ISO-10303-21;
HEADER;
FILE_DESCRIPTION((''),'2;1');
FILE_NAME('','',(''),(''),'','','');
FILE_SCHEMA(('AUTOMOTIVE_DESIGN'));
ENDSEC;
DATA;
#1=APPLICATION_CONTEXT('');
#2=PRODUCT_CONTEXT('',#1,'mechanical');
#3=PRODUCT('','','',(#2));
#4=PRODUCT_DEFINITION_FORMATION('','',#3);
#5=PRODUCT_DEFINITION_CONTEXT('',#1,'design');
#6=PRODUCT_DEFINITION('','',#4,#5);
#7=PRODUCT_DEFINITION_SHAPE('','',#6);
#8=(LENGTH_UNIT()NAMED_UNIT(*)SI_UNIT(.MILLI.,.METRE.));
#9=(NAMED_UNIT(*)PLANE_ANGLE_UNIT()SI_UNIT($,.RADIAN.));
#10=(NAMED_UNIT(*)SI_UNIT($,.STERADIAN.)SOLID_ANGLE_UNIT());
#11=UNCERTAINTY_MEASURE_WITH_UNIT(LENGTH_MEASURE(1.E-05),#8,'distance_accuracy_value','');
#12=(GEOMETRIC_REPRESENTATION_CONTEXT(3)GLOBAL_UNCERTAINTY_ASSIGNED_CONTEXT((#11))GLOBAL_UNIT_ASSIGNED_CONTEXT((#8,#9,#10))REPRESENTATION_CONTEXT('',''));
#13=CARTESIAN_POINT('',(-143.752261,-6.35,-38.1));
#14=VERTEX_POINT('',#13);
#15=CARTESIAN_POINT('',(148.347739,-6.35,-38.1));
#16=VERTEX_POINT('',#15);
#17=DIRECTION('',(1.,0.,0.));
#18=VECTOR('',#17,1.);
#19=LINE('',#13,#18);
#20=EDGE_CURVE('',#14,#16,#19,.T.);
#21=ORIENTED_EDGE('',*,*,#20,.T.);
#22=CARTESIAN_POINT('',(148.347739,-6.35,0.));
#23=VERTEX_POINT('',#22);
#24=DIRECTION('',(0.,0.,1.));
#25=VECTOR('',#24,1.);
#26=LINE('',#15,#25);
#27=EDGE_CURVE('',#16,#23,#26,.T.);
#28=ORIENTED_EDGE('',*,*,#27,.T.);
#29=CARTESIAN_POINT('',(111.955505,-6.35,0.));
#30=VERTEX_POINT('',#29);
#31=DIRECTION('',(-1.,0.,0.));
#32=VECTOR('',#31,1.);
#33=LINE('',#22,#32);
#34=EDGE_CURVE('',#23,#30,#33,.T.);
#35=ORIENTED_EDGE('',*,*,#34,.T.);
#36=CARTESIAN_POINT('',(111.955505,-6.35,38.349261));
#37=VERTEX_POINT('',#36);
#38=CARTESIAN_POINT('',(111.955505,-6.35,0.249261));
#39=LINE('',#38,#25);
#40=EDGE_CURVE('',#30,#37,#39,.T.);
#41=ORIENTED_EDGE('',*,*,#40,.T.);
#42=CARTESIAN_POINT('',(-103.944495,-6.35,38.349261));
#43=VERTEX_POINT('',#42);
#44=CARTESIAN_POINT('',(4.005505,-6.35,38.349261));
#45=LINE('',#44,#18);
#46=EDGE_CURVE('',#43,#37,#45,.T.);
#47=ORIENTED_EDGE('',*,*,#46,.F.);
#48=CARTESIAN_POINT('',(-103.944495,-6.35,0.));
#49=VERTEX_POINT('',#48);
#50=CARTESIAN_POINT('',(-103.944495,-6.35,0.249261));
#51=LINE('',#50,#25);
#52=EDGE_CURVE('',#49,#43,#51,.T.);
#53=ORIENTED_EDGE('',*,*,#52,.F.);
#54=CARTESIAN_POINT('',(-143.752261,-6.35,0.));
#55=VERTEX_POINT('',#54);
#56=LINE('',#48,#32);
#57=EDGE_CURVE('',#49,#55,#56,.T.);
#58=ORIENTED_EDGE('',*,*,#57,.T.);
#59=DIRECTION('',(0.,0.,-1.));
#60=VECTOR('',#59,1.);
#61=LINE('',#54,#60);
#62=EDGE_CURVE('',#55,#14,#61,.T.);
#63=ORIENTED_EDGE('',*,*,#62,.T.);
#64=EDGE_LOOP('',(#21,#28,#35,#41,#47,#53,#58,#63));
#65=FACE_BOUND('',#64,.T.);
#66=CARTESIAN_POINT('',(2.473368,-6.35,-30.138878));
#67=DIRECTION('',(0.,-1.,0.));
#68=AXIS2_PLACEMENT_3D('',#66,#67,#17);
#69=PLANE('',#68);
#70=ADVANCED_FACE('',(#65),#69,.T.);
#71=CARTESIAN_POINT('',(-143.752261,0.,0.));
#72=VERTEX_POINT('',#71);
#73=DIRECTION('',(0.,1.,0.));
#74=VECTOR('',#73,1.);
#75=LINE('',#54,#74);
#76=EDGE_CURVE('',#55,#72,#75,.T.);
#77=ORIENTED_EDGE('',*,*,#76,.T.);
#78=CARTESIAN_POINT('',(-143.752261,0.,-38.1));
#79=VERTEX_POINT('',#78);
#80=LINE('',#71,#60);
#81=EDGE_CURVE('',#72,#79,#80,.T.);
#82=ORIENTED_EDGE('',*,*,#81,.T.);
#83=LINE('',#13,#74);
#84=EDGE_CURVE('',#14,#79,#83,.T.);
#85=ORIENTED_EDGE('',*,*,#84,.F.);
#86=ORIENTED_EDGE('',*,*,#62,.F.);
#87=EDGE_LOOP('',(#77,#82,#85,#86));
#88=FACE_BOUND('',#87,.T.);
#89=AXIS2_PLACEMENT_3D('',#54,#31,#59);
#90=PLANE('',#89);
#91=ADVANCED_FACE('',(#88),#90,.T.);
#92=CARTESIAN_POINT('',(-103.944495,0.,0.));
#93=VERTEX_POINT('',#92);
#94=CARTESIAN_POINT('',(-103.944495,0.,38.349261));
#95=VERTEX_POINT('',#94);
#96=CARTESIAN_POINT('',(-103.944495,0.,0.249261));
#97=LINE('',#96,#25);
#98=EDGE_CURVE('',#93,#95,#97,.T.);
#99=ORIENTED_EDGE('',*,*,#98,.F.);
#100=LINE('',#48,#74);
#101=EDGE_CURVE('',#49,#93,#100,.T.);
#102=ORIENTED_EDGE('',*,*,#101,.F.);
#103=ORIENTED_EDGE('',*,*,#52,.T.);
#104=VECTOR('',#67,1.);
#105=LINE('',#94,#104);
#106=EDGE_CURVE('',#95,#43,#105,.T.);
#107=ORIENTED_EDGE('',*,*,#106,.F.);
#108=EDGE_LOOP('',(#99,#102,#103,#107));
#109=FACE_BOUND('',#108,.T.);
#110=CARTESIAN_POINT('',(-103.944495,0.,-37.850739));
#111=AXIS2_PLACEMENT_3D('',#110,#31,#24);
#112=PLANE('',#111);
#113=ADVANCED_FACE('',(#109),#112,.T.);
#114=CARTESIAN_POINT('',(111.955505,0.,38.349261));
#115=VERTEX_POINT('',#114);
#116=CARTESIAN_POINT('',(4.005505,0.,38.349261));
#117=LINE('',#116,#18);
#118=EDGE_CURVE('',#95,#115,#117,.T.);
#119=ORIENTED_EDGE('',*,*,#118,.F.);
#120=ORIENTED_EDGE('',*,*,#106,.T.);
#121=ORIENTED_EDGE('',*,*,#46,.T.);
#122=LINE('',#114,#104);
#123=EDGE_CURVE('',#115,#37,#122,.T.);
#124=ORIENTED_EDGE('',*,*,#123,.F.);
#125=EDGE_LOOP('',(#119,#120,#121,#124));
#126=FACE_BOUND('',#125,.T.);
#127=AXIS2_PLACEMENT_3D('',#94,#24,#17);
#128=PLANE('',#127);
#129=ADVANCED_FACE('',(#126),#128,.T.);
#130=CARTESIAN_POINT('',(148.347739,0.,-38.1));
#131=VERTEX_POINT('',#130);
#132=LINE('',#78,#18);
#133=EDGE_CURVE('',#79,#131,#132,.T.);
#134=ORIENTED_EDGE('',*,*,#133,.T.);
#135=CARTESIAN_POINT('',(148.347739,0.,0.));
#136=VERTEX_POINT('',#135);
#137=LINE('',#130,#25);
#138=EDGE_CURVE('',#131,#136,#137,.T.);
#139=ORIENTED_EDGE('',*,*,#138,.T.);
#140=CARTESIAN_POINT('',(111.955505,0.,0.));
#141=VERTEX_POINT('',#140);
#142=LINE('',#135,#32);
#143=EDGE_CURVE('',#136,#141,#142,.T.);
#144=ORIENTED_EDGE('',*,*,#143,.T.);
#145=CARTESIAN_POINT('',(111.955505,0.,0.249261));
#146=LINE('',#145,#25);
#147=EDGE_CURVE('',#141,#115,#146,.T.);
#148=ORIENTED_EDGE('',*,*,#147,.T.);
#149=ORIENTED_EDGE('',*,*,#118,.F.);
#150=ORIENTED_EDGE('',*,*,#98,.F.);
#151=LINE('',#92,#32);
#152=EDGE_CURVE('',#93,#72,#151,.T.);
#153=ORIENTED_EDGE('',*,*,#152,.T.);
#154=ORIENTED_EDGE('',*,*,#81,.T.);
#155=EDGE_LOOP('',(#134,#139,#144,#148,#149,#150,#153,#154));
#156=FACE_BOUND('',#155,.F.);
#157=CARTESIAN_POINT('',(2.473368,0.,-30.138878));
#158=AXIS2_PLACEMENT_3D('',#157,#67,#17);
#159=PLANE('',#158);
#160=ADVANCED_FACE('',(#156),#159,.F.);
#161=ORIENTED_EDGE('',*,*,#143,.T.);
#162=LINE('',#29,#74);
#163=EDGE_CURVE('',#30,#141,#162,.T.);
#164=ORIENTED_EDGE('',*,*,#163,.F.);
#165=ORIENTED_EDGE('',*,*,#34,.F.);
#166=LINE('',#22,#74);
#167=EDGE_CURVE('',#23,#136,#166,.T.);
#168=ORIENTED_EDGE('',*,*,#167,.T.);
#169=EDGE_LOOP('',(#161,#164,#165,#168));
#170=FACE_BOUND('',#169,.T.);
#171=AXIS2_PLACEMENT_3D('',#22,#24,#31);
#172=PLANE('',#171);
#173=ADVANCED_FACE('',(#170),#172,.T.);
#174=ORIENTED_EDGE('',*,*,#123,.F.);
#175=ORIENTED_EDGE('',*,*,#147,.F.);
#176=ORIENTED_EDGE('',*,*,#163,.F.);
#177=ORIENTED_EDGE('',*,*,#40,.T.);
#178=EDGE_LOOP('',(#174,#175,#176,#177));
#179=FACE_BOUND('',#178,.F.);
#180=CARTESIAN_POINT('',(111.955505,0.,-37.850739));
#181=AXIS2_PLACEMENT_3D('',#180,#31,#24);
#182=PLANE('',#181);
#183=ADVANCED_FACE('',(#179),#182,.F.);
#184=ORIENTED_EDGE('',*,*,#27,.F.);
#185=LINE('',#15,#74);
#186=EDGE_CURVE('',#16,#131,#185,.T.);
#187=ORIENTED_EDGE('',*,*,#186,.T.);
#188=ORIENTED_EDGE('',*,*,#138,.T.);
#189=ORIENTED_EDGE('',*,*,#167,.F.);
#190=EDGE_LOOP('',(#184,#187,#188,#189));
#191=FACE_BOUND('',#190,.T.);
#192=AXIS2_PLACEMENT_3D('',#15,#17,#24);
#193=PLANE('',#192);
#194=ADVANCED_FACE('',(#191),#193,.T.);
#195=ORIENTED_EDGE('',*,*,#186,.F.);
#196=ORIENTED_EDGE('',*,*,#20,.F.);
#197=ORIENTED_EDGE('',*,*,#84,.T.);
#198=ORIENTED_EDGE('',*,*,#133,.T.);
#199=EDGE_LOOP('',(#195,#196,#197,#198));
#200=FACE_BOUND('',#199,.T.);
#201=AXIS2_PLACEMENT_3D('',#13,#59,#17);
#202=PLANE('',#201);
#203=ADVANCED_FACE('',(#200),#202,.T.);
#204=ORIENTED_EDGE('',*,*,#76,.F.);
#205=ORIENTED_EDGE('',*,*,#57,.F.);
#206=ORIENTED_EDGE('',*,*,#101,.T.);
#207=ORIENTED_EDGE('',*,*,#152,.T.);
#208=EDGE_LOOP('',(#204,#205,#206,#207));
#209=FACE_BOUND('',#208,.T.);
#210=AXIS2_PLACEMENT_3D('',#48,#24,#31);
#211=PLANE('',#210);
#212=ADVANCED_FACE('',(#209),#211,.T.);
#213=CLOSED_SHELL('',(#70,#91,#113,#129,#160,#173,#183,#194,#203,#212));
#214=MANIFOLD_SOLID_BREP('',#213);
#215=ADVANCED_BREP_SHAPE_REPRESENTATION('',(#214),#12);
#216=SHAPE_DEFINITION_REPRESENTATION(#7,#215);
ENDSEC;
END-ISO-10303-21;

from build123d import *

# Parameters (mm, degrees)
F0_W     = 215.9
F0_H     = 76.2
F1_DEPTH = 6.35
F3_DEPTH = 6.35


with BuildPart() as f1:
    # F0 (on Front) → F1 (new body)
    with BuildSketch(Plane.XZ):
        with Locations((4.005505, 0.249261)):
            Rectangle(F0_W, F0_H)
    extrude(amount=F1_DEPTH)

    # F2 (on face) → F3 (join)
    with BuildSketch(Plane.XZ.offset(6.35)):
        Polygon((-103.944495, 0), (-143.752261, 0), (-143.752261, -38.1), (148.347739, -38.1), (148.347739, 0), (111.955505, 0), (111.955505, -37.850739), (-103.944495, -37.850739), align=None)
    extrude(amount=-F3_DEPTH)


solid = f1.part
